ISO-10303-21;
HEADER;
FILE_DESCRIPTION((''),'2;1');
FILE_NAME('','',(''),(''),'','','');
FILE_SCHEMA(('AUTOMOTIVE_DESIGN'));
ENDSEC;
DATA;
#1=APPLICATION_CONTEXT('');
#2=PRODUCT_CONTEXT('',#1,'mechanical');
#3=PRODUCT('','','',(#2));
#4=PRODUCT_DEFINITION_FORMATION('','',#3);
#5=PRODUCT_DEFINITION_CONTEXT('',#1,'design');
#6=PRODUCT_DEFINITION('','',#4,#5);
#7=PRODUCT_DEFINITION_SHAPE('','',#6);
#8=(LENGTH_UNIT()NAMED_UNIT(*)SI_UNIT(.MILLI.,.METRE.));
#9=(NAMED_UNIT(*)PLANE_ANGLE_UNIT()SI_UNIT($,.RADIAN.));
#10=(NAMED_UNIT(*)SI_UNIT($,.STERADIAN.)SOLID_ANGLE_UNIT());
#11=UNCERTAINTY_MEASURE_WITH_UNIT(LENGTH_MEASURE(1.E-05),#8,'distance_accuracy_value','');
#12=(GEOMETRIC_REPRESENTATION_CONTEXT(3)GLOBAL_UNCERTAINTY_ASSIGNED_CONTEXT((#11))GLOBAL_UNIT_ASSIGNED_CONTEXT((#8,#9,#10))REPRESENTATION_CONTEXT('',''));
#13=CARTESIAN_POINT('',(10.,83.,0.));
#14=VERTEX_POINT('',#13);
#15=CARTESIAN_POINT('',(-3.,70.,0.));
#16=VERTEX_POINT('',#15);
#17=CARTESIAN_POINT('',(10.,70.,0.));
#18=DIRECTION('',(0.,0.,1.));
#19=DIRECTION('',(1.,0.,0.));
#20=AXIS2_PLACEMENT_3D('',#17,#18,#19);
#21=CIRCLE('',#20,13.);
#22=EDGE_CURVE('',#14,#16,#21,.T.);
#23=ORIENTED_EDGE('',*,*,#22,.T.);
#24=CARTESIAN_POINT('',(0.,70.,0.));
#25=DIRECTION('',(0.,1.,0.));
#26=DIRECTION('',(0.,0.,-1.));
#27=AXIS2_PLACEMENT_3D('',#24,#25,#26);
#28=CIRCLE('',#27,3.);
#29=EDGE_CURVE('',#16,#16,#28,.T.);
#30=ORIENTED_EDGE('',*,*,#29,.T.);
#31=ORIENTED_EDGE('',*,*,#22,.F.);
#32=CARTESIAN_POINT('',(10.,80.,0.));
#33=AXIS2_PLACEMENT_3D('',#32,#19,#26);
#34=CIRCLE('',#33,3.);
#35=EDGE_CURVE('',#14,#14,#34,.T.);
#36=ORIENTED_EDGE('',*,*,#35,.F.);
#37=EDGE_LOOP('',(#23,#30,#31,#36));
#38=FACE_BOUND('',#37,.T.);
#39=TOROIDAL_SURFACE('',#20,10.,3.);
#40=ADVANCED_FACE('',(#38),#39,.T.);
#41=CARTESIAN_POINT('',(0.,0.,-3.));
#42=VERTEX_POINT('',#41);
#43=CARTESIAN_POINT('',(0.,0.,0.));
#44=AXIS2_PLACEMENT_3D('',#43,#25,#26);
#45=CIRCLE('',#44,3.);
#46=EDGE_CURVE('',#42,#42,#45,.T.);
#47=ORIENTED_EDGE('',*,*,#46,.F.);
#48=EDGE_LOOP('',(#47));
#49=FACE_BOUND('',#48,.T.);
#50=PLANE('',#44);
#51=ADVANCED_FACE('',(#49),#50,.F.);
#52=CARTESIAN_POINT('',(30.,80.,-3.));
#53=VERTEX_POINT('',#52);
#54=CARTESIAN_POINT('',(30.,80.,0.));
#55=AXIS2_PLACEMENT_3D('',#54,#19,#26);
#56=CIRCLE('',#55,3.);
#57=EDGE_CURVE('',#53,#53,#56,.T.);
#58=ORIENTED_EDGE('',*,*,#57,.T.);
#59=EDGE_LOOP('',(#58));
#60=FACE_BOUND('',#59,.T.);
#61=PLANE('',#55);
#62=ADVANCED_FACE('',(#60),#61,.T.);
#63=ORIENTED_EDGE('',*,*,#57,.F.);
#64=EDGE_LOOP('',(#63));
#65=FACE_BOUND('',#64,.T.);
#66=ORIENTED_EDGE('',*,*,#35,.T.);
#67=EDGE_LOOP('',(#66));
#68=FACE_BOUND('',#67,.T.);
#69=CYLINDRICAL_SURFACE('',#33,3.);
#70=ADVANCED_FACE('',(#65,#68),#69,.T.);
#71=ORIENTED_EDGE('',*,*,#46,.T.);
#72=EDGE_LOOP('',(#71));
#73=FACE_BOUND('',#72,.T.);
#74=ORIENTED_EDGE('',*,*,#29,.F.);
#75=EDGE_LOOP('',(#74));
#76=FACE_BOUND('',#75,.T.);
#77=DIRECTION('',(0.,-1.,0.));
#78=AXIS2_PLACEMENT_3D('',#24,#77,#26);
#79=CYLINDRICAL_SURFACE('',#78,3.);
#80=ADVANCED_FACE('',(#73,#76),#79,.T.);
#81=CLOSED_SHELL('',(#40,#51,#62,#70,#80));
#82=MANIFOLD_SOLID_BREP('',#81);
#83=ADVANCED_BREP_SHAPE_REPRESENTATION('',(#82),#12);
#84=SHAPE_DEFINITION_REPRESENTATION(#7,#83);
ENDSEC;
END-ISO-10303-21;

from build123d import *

# Parameters (mm, degrees)
SKETCH2_R = 3


with BuildPart() as part:
    # Sweep1: sweep along a path in Sketch1
    with BuildLine(Plane.XY) as sweep1_path:
        Line((0, 0), (0, 70))
        ThreePointArc((0, 70), (2.928932188, 77.071067812), (10, 80))
        Line((10, 80), (30, 80))
    # Sketch2 → Sweep1 (sweep)
    with BuildSketch(Plane(origin=(30, 80, 0), x_dir=(0, 0, -1), z_dir=(1, 0, 0))):
        Circle(SKETCH2_R)
    sweep(path=sweep1_path.line)


solid = part.part
